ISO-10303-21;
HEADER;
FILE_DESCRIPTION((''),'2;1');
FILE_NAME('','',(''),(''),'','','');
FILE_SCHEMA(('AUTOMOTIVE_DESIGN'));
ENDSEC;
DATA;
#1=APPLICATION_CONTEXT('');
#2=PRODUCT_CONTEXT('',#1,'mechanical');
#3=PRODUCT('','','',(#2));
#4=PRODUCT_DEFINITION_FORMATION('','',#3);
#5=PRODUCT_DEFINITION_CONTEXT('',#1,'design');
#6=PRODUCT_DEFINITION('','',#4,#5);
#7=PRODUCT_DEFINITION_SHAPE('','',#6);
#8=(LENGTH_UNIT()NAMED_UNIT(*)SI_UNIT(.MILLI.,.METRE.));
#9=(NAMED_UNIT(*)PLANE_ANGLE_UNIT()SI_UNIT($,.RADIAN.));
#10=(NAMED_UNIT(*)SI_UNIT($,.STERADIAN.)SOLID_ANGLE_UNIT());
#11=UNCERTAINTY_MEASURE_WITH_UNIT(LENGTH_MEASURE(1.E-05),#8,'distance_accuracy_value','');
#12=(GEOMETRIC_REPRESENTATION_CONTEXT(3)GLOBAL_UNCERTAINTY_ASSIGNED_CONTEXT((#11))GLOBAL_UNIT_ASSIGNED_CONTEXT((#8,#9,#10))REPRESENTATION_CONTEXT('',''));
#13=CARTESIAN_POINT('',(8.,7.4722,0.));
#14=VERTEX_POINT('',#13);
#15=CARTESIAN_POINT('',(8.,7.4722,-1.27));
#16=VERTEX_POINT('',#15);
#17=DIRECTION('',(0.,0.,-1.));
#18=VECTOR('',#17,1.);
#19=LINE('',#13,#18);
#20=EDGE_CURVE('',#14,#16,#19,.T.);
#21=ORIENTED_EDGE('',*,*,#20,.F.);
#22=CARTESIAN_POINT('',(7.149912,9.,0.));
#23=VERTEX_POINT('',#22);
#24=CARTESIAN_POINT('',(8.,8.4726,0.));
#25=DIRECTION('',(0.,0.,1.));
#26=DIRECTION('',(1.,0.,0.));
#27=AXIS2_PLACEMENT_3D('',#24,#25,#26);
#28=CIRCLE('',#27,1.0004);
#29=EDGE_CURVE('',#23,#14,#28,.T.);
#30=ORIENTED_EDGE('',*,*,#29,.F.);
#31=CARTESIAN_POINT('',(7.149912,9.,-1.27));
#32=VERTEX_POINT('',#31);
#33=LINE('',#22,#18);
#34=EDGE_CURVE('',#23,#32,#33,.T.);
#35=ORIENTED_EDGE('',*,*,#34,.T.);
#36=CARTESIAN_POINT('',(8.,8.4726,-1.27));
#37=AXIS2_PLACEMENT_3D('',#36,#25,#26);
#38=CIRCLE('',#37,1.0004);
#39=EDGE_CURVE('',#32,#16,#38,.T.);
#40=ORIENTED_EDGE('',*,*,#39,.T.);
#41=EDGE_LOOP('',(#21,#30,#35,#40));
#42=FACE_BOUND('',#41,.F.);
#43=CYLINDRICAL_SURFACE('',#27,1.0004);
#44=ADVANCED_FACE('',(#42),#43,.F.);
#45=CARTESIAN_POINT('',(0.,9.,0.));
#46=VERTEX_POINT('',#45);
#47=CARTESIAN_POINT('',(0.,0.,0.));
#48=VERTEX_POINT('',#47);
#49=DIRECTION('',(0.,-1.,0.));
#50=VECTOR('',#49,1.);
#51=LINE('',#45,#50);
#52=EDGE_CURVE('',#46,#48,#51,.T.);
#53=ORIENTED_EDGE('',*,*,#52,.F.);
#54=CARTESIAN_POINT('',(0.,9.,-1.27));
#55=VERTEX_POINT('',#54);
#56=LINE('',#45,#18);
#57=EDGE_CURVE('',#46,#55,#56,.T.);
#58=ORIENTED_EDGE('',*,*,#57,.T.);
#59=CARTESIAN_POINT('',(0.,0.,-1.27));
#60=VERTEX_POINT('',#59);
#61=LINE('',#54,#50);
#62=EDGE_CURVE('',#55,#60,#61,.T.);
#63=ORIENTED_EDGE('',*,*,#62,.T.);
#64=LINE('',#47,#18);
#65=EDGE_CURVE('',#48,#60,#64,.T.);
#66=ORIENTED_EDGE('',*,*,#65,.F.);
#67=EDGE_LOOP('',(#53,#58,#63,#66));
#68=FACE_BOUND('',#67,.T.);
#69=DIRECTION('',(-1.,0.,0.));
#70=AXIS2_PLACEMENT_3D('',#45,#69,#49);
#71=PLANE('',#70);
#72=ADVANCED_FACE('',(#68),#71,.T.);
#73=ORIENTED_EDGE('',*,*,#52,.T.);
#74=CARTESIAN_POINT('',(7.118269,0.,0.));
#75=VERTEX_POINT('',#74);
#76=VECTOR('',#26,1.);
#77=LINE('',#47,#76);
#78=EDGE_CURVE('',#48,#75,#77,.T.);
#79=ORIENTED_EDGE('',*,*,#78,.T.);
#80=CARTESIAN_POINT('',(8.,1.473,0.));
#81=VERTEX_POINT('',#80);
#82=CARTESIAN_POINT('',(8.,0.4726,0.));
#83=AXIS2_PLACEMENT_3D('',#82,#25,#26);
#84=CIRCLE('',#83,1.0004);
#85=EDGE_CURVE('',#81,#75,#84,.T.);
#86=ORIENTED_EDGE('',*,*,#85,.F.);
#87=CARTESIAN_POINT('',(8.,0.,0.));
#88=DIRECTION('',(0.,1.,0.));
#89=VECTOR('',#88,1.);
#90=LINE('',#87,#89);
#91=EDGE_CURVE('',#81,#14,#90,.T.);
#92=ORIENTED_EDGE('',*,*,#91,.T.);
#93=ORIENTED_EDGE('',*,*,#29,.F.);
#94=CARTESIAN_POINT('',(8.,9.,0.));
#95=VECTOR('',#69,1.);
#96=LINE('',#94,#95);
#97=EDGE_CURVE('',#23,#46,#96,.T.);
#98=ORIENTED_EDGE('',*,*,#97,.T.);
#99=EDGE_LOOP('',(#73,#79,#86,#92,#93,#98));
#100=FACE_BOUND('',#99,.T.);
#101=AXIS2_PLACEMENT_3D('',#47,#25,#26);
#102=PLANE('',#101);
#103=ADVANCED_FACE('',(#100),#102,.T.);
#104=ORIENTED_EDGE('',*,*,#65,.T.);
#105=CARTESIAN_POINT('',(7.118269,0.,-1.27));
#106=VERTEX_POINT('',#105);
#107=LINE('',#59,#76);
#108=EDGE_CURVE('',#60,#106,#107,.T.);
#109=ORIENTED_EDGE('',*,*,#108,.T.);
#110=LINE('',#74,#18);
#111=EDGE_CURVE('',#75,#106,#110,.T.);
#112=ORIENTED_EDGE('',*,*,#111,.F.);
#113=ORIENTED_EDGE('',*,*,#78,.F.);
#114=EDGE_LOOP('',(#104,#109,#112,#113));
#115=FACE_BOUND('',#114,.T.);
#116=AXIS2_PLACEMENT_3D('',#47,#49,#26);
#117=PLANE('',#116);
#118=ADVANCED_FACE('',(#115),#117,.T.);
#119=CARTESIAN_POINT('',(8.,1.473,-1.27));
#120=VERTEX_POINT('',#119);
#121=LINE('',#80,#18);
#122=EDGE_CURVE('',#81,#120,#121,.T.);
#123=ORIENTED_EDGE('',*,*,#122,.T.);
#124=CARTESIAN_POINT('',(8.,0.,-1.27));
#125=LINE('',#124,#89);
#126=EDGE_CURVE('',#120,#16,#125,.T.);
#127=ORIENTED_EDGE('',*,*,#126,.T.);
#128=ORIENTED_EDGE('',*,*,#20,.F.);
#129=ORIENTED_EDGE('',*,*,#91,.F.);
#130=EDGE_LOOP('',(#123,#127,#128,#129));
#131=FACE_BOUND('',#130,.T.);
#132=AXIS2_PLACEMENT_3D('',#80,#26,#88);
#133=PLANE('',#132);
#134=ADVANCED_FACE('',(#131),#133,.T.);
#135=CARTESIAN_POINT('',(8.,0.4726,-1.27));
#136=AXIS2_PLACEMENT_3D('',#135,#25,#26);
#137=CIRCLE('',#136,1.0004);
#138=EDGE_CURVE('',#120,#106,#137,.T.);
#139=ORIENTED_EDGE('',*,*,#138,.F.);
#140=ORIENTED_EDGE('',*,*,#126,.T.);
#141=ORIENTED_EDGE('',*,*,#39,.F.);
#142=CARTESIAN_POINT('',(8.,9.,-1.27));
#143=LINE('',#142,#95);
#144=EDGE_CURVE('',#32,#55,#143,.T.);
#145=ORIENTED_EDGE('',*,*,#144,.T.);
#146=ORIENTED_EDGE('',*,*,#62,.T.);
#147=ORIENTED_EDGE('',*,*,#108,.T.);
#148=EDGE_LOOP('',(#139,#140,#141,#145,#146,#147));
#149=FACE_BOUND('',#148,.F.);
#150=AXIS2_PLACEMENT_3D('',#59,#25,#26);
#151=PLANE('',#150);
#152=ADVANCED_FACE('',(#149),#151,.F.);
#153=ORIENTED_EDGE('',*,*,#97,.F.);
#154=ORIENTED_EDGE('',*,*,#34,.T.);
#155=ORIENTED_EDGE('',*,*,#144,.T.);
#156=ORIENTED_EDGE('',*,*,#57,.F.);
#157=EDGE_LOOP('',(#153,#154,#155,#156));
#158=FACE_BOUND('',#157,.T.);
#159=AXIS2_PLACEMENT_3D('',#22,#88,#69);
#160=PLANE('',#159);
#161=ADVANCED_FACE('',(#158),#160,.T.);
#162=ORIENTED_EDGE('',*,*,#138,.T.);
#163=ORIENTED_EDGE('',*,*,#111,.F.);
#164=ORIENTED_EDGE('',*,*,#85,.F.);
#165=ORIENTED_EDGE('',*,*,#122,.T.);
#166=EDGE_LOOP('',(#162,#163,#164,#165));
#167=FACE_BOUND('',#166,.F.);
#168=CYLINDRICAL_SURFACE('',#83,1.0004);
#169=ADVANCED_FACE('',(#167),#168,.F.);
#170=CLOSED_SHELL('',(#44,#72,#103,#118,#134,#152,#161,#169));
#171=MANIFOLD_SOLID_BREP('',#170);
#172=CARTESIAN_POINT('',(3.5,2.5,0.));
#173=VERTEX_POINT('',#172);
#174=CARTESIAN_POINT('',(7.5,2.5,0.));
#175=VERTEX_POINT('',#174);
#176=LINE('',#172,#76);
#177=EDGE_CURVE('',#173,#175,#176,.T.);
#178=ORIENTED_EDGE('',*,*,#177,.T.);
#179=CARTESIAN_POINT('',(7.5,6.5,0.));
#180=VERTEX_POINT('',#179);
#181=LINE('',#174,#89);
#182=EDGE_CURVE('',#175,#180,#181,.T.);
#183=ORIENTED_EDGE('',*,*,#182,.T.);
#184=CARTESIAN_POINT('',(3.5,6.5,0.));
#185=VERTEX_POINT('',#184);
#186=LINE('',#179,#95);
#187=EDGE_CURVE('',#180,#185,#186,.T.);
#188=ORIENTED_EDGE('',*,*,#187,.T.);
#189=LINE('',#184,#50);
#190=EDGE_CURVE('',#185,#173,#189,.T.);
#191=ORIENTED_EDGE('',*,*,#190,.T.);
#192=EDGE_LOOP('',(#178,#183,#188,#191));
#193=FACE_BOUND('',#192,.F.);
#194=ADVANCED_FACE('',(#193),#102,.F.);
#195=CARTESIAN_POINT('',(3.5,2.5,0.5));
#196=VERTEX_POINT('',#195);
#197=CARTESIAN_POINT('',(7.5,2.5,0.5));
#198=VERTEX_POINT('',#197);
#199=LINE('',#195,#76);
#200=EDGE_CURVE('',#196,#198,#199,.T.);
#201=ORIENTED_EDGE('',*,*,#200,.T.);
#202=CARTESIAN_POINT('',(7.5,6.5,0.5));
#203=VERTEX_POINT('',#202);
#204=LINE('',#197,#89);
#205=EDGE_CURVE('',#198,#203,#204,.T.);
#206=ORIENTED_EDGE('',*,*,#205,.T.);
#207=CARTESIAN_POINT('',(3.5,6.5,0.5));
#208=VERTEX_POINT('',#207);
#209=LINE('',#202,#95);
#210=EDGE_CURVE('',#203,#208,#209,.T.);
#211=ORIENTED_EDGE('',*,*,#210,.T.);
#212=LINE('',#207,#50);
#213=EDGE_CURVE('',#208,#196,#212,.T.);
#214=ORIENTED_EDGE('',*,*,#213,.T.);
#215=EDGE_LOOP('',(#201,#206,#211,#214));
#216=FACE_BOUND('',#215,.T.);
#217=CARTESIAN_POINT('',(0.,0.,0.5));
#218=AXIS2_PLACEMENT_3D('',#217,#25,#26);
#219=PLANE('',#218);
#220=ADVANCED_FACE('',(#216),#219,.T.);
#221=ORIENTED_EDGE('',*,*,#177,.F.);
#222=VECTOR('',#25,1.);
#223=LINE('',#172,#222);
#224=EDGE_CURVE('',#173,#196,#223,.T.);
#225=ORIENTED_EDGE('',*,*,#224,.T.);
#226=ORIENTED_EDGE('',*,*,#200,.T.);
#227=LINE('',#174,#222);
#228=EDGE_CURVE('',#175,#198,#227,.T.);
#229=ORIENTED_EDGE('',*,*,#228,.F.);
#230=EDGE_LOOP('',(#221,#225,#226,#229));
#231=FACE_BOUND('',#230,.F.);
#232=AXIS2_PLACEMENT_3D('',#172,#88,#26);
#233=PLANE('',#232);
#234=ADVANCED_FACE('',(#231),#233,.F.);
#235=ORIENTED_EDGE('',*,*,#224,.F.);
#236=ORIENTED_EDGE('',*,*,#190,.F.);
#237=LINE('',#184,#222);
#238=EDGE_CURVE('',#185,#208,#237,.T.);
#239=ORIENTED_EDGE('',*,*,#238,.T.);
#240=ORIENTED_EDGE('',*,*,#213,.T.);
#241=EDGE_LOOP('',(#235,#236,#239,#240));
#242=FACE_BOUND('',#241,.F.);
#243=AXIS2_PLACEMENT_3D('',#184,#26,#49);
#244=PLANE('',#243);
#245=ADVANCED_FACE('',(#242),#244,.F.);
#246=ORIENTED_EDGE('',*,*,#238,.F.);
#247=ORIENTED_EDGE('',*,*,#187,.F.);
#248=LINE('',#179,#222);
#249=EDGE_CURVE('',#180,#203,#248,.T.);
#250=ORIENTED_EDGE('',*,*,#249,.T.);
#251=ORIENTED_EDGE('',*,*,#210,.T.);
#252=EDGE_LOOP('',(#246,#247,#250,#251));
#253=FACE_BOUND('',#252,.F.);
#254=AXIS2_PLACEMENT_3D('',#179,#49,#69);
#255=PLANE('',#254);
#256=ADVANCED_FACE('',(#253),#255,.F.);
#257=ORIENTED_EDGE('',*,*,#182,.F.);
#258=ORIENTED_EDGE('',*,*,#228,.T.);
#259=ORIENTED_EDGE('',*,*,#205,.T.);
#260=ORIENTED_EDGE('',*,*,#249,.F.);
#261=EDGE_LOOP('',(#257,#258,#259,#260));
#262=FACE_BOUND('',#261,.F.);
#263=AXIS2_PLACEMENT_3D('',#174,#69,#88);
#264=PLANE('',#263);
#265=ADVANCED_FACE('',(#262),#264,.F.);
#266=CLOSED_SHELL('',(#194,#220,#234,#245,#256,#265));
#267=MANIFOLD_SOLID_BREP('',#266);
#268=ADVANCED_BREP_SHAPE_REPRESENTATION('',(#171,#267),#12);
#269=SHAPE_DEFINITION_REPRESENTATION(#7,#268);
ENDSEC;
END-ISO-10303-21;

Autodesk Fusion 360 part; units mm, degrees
sketch "Esquisse1" plane through (0, 0, 0) normal (0, 0, 1) x (1, 0, 0)
  line L0 (0, 0) -> (8, 0)
  line L1 (8, 0) -> (8, 9)
  line L2 (8, 9) -> (0, 9)
  line L3 (0, 9) -> (0, 0)
  circle A0 centre (8, 8.4726) radius 1.0004
  circle A1 centre (8, 0.4726) radius 1.0004
  line L4 (8, 4.5) -> (0, 4.5) construction
  line L5 (7.5, 6.5) -> (3.5, 6.5)
  line L6 (3.5, 6.5) -> (3.5, 2.5)
  line L7 (3.5, 2.5) -> (7.5, 2.5)
  line L8 (7.5, 2.5) -> (7.5, 6.5)
  dimension "d1" = 8
  dimension "d2" = 9
  dimension "d3" = 4
  dimension "d4" = 4
extrude "Extrusion1" add sketch "Esquisse1" against normal blind 1.27 contours L0 L1 L2 L3 A0 A1 | L5 L6 L7 L8 makes body 1
extrude "Extrusion2" add sketch "Esquisse1" along normal blind 0.5 separate body contours L5 L6 L7 L8 makes body 2
